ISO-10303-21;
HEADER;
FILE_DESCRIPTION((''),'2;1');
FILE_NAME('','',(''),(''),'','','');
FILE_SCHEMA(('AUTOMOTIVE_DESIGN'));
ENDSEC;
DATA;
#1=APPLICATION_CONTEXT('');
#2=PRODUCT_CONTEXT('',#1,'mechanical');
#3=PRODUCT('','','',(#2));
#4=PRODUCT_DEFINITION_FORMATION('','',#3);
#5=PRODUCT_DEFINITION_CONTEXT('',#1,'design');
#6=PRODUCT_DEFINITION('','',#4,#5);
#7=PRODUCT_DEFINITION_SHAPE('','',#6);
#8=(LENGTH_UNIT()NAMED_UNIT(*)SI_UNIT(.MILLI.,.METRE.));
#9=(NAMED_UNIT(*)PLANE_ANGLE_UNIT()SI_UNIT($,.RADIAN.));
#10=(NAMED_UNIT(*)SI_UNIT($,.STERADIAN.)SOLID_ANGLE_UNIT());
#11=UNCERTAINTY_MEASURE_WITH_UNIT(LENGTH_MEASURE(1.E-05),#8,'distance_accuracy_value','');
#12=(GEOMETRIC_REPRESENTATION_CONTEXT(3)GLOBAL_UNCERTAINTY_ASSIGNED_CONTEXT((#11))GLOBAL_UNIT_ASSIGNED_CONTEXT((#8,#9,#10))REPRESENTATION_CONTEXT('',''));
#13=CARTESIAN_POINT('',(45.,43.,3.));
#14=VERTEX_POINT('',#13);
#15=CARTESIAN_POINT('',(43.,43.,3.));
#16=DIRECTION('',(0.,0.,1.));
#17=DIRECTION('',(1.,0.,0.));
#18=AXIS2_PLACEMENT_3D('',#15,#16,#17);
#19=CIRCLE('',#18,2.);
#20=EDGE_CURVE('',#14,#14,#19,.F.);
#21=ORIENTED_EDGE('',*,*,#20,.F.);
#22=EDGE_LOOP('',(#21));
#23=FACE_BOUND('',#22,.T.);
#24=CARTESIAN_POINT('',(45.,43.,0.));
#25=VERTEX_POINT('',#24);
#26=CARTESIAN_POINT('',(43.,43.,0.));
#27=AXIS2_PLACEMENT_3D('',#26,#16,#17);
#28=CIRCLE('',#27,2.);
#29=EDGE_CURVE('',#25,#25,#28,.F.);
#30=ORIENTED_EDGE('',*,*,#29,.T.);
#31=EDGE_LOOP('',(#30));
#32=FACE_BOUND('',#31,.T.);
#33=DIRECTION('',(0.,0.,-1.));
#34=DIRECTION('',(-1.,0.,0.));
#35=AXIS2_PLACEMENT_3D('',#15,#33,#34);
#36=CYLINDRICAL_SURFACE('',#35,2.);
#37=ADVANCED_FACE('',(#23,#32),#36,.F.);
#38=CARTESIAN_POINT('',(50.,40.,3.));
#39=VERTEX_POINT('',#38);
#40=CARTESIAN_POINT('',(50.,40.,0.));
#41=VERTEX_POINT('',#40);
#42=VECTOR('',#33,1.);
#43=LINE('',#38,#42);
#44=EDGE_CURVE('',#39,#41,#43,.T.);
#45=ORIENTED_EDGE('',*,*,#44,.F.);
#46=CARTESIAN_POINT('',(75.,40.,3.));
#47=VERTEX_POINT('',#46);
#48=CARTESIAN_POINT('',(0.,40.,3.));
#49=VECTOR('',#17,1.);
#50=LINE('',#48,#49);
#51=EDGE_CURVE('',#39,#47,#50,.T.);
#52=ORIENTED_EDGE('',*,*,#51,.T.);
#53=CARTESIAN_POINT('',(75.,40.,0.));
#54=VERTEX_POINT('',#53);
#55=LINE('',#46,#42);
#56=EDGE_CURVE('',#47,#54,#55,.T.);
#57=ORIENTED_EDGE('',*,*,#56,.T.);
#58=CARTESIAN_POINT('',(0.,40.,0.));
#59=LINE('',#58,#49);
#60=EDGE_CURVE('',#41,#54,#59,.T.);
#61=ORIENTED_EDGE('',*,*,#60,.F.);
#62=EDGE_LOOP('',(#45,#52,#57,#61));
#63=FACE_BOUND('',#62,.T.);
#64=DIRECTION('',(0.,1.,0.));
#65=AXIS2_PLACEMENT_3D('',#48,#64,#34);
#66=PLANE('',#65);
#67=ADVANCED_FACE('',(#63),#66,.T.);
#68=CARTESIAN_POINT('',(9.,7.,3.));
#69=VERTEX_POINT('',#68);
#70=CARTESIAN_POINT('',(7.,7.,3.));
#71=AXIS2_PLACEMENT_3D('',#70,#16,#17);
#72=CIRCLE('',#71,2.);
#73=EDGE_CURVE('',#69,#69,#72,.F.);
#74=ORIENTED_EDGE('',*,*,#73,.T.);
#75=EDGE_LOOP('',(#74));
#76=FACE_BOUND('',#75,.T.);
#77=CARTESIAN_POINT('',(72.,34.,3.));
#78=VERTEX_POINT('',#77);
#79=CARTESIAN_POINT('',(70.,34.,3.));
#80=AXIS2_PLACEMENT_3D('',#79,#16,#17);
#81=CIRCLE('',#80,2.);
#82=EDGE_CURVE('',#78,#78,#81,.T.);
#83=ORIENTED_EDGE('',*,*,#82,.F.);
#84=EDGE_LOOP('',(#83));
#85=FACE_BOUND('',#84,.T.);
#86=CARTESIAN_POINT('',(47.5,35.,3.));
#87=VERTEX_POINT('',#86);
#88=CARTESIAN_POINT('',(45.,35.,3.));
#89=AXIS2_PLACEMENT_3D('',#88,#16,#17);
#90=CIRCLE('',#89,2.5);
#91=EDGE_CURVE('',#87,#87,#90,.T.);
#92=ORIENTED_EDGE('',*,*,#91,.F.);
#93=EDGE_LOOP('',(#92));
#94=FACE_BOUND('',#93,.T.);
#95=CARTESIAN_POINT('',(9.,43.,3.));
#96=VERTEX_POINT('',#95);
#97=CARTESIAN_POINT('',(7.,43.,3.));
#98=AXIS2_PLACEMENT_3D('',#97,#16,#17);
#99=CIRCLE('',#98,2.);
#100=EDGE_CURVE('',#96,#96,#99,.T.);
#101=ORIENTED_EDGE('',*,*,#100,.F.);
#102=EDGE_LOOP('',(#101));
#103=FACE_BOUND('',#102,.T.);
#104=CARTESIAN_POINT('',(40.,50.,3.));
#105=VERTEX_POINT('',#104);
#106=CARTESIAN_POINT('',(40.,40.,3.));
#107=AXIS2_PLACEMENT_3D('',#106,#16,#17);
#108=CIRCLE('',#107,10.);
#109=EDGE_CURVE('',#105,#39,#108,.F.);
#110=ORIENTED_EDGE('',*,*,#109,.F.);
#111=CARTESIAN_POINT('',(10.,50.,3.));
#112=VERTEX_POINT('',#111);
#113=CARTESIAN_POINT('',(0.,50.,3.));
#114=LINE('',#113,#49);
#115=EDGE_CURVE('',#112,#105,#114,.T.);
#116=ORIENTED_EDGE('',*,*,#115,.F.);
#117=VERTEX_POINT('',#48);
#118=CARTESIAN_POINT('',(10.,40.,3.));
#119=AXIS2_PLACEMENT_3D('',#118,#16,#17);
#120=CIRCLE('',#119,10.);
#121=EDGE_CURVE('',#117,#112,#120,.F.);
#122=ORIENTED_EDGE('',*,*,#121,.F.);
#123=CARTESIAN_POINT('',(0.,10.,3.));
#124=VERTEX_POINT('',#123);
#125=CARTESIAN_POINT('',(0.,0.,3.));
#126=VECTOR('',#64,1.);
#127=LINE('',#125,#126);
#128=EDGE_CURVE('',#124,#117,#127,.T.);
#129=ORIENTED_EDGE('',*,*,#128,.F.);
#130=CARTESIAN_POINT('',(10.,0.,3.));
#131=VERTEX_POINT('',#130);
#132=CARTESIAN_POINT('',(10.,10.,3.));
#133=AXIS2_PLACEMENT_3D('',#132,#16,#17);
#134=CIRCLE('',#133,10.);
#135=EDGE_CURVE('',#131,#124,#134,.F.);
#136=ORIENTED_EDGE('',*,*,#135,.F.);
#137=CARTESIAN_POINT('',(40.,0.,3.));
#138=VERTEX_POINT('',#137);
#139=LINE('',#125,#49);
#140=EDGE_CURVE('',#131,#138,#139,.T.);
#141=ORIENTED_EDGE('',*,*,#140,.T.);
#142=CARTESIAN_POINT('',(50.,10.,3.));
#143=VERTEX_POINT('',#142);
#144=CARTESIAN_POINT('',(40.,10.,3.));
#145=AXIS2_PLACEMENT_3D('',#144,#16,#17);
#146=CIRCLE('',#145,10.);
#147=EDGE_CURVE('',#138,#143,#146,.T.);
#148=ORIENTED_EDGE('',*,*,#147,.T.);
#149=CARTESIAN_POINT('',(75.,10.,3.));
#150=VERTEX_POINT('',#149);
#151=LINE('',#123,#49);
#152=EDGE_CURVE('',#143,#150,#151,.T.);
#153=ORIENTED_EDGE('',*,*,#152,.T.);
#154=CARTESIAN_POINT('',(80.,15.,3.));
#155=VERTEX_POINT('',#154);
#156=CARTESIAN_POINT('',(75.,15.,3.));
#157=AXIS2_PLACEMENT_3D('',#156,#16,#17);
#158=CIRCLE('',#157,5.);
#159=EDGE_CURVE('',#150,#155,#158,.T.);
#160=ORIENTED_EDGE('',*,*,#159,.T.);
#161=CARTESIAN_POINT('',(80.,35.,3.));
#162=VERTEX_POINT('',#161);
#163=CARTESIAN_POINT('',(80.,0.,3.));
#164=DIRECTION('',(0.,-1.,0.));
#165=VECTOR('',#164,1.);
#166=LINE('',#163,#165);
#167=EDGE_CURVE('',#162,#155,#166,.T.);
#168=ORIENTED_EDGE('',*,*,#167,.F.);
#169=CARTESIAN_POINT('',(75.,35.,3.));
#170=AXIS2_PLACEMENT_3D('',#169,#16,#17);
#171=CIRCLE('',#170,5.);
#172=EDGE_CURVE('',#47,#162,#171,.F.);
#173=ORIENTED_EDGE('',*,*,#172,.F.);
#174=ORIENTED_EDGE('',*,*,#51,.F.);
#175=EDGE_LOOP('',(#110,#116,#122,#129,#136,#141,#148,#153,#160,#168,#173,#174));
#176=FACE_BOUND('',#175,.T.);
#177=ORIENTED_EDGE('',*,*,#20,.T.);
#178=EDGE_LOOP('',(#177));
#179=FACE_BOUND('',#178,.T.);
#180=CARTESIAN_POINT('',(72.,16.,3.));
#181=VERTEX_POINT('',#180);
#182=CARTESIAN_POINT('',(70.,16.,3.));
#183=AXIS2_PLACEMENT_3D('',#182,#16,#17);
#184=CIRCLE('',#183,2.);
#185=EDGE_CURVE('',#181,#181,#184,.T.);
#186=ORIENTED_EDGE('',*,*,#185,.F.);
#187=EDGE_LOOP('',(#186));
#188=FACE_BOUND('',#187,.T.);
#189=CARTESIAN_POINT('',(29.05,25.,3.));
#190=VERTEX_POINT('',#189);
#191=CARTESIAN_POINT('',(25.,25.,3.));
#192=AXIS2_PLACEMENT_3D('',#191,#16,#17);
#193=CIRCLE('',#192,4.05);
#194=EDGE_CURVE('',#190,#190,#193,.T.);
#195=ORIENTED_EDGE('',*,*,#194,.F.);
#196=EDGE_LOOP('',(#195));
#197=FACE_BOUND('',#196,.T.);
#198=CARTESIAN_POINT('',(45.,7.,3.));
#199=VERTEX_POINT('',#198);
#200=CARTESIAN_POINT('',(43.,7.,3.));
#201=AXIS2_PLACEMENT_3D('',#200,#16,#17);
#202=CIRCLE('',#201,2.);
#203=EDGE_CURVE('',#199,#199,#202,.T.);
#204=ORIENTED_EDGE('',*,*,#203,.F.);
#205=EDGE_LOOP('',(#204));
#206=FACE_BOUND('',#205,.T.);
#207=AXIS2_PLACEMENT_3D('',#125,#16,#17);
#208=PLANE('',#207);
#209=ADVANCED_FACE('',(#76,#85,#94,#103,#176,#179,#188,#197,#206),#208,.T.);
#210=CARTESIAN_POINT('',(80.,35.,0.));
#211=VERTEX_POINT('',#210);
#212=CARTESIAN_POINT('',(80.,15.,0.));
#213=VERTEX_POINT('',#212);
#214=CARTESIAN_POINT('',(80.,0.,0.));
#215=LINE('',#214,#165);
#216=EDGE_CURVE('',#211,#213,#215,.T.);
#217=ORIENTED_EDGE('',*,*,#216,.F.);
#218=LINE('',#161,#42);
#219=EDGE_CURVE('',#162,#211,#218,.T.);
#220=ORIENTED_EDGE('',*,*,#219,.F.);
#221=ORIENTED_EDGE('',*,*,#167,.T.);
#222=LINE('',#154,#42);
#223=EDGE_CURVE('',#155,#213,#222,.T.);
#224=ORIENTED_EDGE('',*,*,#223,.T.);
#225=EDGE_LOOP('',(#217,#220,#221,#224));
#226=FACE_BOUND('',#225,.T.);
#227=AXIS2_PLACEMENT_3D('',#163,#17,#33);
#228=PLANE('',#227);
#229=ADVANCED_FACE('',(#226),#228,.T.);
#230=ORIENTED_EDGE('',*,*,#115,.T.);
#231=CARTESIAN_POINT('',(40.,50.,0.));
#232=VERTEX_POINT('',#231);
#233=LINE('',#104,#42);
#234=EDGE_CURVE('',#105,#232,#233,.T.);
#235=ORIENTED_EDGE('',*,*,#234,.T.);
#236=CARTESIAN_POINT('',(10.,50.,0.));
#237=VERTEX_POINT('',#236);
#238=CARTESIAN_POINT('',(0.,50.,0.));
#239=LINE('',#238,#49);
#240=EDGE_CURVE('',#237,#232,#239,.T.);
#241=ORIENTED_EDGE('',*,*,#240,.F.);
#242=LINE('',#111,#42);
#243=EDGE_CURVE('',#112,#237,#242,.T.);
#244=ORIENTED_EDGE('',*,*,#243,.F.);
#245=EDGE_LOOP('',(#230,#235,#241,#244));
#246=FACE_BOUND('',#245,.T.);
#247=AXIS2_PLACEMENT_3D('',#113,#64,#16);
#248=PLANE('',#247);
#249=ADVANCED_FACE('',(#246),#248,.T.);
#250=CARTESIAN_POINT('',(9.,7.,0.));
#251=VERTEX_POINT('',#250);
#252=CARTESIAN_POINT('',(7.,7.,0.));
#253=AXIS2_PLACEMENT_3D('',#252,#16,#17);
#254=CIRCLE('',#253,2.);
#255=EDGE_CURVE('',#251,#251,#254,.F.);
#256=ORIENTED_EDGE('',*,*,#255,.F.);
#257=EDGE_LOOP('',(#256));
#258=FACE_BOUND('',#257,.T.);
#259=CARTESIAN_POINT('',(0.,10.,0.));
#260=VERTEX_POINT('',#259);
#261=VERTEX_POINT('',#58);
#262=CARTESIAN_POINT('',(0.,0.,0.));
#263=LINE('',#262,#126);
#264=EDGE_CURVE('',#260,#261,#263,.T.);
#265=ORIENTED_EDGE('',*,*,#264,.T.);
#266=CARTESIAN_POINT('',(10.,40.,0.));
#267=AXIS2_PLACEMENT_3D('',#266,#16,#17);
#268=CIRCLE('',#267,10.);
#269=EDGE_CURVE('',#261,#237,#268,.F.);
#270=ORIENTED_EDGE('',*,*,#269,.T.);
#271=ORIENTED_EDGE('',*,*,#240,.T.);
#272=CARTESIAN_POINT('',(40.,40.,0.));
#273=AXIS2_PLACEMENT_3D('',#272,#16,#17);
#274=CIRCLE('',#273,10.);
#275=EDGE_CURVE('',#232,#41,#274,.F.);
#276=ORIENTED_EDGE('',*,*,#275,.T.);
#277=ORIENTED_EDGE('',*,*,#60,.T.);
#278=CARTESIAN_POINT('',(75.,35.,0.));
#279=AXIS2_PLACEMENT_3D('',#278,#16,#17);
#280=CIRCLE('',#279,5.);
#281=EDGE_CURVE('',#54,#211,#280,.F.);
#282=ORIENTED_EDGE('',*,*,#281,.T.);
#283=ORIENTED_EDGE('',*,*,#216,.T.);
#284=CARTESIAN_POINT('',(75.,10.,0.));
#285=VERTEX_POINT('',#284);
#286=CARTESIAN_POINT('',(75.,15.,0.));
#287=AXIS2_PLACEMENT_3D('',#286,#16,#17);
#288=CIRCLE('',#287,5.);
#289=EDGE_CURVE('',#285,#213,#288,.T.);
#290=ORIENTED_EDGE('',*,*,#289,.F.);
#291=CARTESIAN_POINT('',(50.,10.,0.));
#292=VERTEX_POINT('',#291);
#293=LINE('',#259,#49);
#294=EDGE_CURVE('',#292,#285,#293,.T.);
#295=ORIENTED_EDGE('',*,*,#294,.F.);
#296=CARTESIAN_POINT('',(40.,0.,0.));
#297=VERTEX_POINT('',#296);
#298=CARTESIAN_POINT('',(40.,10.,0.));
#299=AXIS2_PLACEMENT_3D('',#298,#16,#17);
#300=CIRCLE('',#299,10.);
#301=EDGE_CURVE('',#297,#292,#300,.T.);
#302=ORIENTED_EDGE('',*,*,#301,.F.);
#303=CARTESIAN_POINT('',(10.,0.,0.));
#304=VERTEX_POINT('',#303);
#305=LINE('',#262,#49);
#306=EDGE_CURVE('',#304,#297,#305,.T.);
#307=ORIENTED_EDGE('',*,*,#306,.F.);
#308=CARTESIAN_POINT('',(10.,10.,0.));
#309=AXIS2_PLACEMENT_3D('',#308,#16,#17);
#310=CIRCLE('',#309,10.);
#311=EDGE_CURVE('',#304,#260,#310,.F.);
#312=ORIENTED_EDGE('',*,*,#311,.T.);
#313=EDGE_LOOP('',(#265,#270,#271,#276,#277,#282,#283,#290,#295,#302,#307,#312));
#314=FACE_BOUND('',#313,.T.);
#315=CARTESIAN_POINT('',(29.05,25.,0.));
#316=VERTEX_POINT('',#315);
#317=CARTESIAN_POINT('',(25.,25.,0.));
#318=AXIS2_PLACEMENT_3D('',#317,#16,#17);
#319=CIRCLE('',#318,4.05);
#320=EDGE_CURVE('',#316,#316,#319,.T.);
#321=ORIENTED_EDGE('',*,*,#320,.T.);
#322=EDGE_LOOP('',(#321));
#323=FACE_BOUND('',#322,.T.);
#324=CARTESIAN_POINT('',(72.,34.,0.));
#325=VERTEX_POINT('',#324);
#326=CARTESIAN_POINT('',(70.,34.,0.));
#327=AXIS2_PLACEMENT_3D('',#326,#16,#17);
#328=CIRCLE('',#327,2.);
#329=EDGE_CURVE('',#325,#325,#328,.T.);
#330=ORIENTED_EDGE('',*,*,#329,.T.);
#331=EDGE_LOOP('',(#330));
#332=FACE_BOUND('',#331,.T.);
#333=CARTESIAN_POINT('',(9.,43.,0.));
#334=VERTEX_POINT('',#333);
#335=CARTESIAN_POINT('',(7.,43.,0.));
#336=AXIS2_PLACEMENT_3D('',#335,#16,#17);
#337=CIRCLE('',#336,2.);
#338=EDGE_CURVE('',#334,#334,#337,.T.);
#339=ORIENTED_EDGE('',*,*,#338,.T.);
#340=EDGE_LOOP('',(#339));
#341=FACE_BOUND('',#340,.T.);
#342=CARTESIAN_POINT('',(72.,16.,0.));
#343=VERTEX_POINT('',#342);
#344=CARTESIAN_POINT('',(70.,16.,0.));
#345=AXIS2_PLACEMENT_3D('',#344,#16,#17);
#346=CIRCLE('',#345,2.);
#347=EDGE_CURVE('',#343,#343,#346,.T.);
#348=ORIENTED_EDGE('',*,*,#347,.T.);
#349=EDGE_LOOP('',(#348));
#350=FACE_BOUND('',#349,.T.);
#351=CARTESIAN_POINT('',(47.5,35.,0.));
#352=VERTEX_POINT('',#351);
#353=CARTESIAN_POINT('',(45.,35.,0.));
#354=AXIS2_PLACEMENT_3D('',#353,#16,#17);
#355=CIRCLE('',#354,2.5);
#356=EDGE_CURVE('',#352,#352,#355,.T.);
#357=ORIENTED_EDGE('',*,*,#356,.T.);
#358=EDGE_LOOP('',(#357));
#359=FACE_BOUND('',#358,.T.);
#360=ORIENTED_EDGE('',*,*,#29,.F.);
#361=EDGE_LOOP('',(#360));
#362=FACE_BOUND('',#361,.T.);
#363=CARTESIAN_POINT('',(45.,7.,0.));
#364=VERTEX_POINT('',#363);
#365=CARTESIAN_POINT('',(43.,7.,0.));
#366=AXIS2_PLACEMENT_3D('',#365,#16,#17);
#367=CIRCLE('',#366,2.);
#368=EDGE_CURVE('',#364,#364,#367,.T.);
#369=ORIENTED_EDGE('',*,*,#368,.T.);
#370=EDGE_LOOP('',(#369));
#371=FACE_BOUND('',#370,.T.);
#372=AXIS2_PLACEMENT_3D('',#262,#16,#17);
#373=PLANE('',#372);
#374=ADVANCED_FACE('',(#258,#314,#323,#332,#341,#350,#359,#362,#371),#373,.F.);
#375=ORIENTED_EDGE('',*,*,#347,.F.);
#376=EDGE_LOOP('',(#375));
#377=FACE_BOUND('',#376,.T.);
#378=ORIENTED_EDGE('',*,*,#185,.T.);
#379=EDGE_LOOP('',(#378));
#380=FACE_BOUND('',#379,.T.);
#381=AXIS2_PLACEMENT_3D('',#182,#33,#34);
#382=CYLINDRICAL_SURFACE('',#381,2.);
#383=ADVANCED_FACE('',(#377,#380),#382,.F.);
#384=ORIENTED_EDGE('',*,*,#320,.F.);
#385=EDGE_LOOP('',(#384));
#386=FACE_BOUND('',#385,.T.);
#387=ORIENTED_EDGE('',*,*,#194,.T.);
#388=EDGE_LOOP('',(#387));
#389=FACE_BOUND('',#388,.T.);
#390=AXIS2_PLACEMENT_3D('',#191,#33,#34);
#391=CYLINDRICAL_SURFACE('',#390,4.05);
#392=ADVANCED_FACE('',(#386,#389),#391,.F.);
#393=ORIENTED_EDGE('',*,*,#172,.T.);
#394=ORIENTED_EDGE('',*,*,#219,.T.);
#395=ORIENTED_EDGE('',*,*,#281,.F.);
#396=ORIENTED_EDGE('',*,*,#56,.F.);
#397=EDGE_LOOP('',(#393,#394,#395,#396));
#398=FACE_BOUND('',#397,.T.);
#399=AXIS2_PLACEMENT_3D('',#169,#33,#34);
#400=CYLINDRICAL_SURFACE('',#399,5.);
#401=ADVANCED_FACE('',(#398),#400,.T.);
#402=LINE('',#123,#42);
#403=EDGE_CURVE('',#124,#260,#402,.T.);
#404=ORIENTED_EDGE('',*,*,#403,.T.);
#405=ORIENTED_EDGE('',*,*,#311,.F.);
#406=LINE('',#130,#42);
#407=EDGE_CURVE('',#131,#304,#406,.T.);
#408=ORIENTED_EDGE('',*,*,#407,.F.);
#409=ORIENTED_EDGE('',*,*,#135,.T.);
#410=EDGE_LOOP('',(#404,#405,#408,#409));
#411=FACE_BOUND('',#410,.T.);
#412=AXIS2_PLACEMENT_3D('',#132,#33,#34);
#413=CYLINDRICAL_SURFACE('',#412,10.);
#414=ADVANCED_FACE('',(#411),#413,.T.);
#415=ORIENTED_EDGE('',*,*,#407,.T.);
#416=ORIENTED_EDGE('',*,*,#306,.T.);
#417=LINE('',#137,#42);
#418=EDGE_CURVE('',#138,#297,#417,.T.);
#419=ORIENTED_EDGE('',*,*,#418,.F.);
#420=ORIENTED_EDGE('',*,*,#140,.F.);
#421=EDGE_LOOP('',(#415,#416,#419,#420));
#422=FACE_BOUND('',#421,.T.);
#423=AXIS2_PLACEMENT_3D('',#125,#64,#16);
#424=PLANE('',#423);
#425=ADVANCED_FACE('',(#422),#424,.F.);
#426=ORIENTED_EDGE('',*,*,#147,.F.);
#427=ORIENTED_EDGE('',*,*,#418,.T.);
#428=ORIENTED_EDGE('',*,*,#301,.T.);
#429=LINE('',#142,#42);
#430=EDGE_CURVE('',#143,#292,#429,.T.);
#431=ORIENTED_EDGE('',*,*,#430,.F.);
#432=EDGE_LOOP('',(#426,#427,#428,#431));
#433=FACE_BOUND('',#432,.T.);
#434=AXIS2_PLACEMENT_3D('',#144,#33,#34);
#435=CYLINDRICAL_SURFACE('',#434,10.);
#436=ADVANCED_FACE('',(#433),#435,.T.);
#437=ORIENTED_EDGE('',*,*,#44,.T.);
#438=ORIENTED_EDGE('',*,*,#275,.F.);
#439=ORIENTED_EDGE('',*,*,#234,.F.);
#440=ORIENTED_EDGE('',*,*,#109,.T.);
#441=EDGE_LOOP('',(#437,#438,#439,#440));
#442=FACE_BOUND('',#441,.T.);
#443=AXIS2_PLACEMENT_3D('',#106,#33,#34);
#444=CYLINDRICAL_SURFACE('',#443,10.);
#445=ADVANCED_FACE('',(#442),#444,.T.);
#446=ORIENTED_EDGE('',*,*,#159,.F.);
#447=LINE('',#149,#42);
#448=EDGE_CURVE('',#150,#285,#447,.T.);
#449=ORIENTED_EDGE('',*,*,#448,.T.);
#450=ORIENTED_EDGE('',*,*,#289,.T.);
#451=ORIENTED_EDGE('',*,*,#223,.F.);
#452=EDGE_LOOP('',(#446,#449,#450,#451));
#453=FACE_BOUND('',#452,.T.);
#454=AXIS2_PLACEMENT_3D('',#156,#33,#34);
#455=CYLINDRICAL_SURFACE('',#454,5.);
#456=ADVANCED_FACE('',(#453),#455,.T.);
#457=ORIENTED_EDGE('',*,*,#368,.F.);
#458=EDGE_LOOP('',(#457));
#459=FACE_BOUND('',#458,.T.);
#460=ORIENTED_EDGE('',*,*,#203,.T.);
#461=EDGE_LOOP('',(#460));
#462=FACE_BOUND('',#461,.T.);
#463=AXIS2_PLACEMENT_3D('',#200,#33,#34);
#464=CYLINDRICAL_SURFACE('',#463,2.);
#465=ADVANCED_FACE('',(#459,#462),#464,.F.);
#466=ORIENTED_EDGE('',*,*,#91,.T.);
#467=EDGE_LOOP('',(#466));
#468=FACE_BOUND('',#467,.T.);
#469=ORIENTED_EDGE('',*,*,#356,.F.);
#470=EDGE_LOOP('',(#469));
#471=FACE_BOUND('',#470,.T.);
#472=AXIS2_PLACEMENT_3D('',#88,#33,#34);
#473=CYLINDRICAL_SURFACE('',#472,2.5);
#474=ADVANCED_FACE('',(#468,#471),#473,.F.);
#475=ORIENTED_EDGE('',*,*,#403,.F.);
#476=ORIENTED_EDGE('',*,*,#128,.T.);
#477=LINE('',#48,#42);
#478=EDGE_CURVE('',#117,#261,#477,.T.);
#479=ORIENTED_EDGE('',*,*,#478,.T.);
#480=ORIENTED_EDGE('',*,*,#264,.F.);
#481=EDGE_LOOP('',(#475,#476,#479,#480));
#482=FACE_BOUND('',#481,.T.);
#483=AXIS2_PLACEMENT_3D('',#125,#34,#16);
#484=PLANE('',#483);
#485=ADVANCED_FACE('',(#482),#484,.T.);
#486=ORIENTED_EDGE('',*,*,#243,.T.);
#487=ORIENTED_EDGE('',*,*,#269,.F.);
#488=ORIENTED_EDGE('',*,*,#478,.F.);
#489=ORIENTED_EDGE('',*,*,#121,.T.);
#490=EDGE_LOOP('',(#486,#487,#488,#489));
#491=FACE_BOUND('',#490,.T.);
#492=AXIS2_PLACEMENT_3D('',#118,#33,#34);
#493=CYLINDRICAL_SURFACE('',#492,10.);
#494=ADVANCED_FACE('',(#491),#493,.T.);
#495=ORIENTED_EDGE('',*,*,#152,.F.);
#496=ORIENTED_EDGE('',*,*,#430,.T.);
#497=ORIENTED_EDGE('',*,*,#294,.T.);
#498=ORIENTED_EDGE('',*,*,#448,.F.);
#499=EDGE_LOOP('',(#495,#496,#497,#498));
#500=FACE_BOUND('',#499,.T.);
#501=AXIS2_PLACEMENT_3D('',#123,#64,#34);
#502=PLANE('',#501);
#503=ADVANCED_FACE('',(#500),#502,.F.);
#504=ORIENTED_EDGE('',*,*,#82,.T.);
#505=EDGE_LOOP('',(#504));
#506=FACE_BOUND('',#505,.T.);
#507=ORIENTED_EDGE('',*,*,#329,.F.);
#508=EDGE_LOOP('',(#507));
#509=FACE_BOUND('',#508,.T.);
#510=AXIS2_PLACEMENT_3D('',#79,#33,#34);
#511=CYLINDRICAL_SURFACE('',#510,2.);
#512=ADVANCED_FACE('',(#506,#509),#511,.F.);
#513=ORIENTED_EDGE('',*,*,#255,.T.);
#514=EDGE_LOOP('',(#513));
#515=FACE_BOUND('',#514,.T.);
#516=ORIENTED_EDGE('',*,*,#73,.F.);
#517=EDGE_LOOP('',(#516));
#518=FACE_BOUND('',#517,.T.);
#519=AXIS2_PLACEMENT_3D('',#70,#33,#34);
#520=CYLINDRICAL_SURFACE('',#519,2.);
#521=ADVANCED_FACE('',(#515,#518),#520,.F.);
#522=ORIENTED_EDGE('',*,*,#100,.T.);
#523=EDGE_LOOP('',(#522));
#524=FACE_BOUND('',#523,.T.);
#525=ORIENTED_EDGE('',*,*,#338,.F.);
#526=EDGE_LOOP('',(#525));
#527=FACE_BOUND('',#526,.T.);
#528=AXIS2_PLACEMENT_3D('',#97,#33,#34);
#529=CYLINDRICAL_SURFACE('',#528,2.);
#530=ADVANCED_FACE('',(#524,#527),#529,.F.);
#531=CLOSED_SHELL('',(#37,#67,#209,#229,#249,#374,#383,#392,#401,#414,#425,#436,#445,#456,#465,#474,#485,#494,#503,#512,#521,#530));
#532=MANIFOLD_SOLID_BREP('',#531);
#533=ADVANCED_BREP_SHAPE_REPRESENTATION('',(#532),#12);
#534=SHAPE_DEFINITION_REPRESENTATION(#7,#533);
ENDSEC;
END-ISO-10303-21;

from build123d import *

# Parameters (mm, degrees)
CROQUIS1_R              = 2.5
CROQUIS1_R_2            = 4.05
CROQUIS1_R_3            = 2
SALIENTE_EXTRUIR1_DEPTH = 3


with BuildPart() as part:
    # Croquis1 → Saliente-Extruir1 (new body)
    with BuildSketch(Plane.XY):
        with BuildLine():
            ThreePointArc((0, 40), (2.928932188, 47.071067812), (10, 50))
            Line((10, 50), (40, 50))
            ThreePointArc((40, 50), (47.071067812, 47.071067812), (50, 40))
            Line((50, 40), (50, 10))
            ThreePointArc((50, 10), (47.071067812, 2.928932188), (40, 0))
            Line((40, 0), (10, 0))
            ThreePointArc((10, 0), (2.928932188, 2.928932188), (0, 10))
            Line((0, 10), (0, 40))
        make_face()
        with Locations((45, 35)):
            Circle(CROQUIS1_R, mode=Mode.SUBTRACT)
        with Locations((25, 25)):
            Circle(CROQUIS1_R_2, mode=Mode.SUBTRACT)
        with Locations((43, 43)):
            Circle(CROQUIS1_R_3, mode=Mode.SUBTRACT)
        with Locations((7, 43)):
            Circle(CROQUIS1_R_3, mode=Mode.SUBTRACT)
        with Locations((43, 7)):
            Circle(CROQUIS1_R_3, mode=Mode.SUBTRACT)
        with Locations((7, 7)):
            Circle(CROQUIS1_R_3, mode=Mode.SUBTRACT)
        with BuildLine():
            ThreePointArc((75, 40), (78.535533906, 38.535533906), (80, 35))
            Line((80, 35), (80, 15))
            ThreePointArc((80, 15), (78.535533906, 11.464466094), (75, 10))
            Line((75, 10), (50, 10))
            Line((50, 10), (50, 40))
            Line((50, 40), (75, 40))
        make_face()
        with Locations((70, 16)):
            Circle(CROQUIS1_R_3, mode=Mode.SUBTRACT)
        with Locations((70, 34)):
            Circle(CROQUIS1_R_3, mode=Mode.SUBTRACT)
    extrude(amount=SALIENTE_EXTRUIR1_DEPTH)


solid = part.part
